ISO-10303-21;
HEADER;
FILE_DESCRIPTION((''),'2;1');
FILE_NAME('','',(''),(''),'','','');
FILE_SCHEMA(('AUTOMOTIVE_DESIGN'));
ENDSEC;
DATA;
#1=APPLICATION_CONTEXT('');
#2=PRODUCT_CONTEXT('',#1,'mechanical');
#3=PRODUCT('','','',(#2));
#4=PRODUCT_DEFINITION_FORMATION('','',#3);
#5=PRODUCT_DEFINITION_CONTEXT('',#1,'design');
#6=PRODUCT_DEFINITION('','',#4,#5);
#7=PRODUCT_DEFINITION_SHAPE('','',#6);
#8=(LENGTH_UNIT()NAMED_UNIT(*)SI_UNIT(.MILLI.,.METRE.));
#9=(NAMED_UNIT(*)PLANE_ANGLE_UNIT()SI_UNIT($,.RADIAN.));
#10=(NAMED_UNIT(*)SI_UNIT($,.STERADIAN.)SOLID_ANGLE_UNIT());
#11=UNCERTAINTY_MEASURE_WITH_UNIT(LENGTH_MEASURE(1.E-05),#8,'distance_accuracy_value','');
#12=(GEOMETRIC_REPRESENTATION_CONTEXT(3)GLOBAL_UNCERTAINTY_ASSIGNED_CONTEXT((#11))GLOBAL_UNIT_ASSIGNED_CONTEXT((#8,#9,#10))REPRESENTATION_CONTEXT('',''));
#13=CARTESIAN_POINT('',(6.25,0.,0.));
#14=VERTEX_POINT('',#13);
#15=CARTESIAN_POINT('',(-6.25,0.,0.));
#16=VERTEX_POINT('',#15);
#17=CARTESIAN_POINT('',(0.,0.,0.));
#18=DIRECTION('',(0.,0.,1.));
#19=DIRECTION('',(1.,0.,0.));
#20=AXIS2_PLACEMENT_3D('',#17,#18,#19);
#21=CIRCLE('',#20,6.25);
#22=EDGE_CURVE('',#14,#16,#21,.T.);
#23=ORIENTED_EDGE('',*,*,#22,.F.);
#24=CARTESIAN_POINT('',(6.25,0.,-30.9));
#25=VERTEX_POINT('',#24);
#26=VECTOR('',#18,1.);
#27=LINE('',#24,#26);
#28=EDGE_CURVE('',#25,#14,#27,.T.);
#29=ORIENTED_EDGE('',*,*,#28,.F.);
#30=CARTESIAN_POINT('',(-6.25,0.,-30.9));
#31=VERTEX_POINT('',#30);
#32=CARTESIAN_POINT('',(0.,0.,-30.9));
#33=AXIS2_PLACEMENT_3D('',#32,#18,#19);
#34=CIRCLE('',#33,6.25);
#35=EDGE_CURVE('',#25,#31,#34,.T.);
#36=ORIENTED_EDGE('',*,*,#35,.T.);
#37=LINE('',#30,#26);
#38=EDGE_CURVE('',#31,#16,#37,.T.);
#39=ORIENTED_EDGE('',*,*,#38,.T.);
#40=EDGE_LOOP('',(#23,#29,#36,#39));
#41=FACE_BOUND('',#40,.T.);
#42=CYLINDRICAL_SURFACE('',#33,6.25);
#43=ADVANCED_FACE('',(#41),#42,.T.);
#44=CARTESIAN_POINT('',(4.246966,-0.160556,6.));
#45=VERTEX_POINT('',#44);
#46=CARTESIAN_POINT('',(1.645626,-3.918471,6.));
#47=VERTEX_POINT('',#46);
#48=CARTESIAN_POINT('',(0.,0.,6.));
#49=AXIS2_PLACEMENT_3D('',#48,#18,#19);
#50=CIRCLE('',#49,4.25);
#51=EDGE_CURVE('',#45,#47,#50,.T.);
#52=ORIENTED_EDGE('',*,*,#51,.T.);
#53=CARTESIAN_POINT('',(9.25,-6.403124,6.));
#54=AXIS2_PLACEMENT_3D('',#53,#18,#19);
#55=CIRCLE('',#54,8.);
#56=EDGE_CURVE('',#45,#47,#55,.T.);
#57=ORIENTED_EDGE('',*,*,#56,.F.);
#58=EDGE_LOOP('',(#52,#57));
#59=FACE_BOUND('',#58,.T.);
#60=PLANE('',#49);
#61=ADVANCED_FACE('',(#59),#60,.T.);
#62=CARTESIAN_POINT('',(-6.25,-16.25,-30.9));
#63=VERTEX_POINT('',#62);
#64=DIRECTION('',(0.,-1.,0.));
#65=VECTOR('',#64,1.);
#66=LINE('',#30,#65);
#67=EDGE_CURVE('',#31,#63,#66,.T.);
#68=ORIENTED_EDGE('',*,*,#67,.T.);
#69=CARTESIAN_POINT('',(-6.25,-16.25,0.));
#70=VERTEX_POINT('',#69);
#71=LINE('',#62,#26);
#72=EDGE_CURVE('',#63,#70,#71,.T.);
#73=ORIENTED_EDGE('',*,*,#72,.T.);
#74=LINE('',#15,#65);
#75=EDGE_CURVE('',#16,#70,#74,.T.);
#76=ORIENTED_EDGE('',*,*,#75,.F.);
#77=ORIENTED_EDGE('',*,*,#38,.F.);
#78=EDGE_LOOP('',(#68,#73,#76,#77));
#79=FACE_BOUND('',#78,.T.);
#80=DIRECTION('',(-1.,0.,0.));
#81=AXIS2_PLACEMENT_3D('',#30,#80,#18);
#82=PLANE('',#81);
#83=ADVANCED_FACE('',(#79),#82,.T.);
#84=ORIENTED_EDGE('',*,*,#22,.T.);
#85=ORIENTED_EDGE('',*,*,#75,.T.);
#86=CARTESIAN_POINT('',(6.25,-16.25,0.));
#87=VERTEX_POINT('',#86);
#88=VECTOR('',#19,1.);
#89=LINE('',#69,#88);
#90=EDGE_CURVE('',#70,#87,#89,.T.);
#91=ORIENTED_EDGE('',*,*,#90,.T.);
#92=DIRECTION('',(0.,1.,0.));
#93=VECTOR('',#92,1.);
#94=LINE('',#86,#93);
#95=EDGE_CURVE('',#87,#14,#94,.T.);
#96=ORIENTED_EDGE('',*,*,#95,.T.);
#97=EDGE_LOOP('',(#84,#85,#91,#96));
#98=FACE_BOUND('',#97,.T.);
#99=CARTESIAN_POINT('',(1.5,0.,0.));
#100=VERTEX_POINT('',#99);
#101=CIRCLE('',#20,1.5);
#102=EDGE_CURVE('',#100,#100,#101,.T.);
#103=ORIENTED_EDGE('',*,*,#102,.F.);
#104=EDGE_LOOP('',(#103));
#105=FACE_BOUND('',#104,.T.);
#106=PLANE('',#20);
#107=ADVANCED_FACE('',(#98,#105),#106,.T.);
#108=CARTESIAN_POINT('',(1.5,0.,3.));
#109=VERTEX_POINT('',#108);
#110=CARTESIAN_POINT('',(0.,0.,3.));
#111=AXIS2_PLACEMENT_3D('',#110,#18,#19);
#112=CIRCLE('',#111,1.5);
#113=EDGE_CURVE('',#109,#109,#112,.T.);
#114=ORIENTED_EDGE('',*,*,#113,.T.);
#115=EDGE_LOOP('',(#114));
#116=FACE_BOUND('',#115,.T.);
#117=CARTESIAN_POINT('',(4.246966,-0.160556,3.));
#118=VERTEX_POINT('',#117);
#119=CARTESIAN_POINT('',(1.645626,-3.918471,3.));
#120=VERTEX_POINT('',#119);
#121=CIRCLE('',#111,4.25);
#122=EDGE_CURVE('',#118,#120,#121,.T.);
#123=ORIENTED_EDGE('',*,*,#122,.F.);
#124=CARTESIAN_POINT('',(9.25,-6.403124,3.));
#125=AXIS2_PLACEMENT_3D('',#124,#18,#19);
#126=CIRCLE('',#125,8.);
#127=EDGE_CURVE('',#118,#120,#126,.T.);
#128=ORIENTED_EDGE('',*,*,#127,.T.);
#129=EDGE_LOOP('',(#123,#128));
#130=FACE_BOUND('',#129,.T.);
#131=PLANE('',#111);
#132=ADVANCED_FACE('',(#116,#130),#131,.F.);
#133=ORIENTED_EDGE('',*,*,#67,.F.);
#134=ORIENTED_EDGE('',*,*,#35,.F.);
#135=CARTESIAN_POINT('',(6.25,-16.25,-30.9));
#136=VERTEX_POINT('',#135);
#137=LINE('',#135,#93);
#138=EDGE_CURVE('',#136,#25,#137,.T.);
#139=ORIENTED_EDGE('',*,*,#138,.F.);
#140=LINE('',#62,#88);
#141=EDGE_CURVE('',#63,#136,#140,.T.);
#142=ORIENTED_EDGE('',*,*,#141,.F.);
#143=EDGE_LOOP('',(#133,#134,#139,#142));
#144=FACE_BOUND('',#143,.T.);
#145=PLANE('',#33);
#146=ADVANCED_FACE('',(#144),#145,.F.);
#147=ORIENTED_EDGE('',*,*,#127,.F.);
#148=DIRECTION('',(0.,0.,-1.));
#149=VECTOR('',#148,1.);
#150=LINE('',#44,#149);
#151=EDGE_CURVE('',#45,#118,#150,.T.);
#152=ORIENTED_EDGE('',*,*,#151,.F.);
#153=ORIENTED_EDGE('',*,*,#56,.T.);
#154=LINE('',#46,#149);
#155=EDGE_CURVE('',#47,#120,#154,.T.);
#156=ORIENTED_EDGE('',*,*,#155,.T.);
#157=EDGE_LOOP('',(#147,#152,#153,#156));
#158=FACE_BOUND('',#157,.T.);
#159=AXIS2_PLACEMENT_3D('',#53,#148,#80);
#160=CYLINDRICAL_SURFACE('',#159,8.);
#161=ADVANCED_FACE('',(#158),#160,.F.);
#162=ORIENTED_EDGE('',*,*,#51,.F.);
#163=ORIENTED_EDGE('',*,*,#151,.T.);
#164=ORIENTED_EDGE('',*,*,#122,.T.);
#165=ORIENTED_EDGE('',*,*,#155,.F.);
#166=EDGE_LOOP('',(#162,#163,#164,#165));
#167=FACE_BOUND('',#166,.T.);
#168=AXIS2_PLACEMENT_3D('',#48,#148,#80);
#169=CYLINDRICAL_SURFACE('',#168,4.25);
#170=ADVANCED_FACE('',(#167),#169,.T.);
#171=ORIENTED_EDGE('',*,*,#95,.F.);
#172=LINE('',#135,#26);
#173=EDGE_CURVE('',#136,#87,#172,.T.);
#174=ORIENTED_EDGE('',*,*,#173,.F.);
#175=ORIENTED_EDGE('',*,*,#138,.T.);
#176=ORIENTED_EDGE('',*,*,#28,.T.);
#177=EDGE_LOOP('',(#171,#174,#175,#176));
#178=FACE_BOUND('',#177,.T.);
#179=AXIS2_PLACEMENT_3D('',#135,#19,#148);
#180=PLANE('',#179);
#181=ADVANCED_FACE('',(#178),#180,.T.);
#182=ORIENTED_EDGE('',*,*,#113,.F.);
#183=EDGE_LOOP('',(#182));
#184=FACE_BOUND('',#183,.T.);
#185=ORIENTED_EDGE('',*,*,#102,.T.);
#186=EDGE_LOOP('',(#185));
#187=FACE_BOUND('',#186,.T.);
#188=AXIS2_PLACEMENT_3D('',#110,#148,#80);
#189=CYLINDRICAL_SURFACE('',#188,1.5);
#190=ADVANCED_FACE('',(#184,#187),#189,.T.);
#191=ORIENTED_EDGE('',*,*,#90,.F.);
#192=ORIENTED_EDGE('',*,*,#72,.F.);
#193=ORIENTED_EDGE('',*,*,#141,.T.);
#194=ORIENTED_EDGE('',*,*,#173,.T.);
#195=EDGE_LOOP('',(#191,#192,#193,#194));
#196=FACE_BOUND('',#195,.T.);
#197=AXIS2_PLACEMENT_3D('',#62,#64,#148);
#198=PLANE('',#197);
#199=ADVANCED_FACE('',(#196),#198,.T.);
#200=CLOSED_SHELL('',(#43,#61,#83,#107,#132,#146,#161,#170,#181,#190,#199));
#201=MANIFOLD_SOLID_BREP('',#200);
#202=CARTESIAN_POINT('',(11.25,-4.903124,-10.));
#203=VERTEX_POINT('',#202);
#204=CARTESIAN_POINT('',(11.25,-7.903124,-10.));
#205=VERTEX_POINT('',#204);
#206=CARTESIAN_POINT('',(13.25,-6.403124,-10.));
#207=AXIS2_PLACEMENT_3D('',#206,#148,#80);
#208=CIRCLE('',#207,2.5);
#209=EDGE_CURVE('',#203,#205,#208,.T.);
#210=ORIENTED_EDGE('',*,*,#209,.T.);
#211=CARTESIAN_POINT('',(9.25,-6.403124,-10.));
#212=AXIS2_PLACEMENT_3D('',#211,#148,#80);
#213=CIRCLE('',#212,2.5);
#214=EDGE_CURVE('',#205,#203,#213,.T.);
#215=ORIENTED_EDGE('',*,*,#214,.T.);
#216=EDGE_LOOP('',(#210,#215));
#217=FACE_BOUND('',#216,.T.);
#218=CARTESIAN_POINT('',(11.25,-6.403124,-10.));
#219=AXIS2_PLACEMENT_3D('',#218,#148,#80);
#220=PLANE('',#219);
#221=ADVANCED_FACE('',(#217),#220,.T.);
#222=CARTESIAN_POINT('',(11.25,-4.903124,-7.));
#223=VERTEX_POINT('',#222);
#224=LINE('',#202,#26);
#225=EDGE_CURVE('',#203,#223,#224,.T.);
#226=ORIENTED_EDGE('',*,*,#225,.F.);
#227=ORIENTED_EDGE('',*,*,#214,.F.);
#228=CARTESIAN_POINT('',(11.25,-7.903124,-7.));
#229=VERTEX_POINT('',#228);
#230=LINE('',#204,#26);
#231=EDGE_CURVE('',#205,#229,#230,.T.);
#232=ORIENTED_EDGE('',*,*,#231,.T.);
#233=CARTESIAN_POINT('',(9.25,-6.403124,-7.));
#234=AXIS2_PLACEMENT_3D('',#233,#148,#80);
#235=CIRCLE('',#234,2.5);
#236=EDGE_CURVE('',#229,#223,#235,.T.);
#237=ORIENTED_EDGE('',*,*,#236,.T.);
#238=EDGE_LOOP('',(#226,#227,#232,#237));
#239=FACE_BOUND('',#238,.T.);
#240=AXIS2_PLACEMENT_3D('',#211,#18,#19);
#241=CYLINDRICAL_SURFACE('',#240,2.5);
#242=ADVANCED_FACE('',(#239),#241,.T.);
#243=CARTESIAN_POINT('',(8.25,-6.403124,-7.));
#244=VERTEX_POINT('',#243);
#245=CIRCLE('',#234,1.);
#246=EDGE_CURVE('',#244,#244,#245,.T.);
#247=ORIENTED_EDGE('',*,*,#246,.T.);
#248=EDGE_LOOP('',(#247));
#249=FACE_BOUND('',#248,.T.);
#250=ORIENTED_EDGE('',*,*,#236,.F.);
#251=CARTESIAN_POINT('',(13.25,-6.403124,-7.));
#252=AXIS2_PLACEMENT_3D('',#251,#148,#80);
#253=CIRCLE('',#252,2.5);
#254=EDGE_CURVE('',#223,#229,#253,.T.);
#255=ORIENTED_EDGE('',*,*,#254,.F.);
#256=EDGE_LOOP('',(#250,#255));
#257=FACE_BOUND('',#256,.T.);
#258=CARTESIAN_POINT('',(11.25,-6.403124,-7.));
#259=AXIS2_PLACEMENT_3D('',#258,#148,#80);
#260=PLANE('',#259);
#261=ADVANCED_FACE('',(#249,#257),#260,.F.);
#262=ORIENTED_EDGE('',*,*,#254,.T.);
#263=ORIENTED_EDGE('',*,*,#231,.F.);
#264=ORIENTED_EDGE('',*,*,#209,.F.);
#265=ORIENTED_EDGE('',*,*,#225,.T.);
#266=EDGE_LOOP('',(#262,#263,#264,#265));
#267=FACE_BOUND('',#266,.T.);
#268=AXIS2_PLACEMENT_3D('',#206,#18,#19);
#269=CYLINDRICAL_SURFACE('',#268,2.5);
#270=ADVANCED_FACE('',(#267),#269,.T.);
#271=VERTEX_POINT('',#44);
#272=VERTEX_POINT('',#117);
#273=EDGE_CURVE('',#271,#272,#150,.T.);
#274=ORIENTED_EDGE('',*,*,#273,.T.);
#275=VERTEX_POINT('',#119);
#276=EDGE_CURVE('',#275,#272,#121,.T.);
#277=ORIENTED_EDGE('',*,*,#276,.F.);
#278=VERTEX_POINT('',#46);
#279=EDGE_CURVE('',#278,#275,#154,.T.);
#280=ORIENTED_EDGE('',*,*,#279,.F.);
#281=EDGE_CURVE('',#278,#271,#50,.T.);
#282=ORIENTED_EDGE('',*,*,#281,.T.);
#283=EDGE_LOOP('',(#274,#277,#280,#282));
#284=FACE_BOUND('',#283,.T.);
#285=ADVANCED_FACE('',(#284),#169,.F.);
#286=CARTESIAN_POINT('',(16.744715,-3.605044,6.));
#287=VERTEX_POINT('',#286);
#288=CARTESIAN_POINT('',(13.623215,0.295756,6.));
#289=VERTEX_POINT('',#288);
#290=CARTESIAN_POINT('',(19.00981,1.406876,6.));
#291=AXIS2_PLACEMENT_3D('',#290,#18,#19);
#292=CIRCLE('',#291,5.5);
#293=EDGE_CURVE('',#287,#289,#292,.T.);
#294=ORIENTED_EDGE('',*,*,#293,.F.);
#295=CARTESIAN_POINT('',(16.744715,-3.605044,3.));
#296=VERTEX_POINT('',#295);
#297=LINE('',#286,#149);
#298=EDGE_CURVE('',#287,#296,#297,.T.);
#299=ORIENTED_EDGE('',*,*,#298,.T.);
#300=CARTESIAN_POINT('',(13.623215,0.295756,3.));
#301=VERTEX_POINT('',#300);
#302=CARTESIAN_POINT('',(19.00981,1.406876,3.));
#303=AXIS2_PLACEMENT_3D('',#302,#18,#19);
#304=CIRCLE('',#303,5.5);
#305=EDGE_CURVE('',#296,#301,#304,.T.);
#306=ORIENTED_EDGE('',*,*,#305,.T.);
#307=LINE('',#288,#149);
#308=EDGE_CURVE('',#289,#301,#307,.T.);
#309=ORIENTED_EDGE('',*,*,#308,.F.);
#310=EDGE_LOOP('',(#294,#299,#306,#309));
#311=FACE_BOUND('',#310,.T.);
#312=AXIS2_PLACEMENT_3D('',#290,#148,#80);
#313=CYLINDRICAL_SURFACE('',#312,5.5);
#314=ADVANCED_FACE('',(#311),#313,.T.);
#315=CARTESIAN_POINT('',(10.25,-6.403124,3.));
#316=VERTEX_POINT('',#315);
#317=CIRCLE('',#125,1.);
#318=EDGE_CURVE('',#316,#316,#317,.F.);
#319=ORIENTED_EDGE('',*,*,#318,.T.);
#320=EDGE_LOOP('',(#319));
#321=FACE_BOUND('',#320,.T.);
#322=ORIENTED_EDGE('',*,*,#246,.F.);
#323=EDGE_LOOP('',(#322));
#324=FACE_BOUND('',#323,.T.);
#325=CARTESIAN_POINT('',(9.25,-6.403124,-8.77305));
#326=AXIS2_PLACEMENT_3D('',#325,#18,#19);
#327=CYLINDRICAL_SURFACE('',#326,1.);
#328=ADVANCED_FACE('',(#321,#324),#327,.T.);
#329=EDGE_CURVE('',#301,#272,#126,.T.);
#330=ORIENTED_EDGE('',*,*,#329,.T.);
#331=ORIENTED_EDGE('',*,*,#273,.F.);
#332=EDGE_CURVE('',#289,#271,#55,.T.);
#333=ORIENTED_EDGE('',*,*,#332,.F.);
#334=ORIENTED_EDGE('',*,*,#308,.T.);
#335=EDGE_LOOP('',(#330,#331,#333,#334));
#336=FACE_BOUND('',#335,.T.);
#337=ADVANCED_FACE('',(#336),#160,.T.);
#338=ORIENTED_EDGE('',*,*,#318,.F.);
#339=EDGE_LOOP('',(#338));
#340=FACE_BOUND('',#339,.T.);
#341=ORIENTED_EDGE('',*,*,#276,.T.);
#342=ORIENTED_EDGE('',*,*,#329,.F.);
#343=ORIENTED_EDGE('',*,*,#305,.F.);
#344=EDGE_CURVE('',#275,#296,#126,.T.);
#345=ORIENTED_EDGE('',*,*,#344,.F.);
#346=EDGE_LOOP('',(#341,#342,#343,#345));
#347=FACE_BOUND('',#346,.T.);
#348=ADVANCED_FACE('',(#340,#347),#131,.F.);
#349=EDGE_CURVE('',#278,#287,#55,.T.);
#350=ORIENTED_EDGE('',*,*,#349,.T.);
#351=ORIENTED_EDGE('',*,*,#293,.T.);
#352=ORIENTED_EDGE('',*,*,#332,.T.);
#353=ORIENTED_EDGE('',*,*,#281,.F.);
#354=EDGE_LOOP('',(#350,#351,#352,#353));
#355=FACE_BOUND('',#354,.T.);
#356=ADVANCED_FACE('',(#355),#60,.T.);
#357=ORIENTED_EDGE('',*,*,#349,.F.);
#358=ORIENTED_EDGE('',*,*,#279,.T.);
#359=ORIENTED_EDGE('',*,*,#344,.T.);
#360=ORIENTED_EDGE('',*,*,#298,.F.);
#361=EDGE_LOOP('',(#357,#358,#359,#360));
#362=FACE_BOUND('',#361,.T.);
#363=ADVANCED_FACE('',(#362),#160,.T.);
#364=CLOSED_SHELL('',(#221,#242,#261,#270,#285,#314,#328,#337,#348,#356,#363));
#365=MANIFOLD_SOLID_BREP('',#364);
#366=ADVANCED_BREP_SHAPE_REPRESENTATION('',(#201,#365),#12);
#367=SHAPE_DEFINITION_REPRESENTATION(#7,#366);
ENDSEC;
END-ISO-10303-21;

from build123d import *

# Parameters (mm, degrees)
BOSS_EXTRUDE7_DEPTH  = 30.9
SKETCH7_R            = 1.5
BOSS_EXTRUDE8_DEPTH  = 3
BOSS_EXTRUDE9_DEPTH  = 3
SKETCH9_R            = 1
BOSS_EXTRUDE10_DEPTH = 11.773049601
BOSS_EXTRUDE11_DEPTH = 3


with BuildPart() as part:
    # Sketch6 → Boss-Extrude7 (new body)
    with BuildSketch(Plane.XY):
        with BuildLine():
            Line((-6.25, 0), (-6.25, -16.25))
            Line((-6.25, -16.25), (6.25, -16.25))
            Line((6.25, -16.25), (6.25, 0))
            ThreePointArc((6.25, 0), (0, 6.25), (-6.25, 0))
        make_face()
    extrude(amount=-BOSS_EXTRUDE7_DEPTH)

    # Sketch7 → Boss-Extrude8 (add)
    with BuildSketch(Plane.XY):
        Circle(SKETCH7_R)
    extrude(amount=BOSS_EXTRUDE8_DEPTH)

    # Sketch8 → Boss-Extrude9 (add)
    with BuildSketch(Plane.XY.offset(3)):
        with BuildLine():
            ThreePointArc((4.246966167, -0.160556459), (-3.494444444, 2.418958045), (1.645626426, -3.918470833))
            ThreePointArc((1.645626426, -3.918470833), (2.672222222, -1.849791446), (4.246966167, -0.160556459))
        make_face()
        with BuildLine():
            ThreePointArc((4.246966167, -0.160556459), (3.494444444, -2.418958045), (1.645626426, -3.918470833))
            ThreePointArc((1.645626426, -3.918470833), (9.416028142, -14.401401218), (16.744714653, -3.605044132))
            ThreePointArc((16.744714653, -3.605044132), (23.304127047, 4.843275763), (13.623214853, 0.295755658))
            ThreePointArc((13.623214853, 0.295755658), (8.861125761, 1.587418724), (4.246966167, -0.160556459))
        make_face()
    extrude(amount=BOSS_EXTRUDE9_DEPTH)


with BuildPart() as boss_extrude9_piece_1:
    # of the separate pieces the step leaves, piece 1, a body of its own (boss_extrude9_pieces)
    add(part.part.solids().sort_by_distance((1.5, 0, 3))[0])


with BuildPart() as boss_extrude9_piece_2:
    # of the separate pieces the step leaves, piece 2, a body of its own (boss_extrude9_pieces)
    add(part.part.solids().sort_by_distance((13.623214853, 0.295755658, 3))[0])

    # Sketch9 → Boss-Extrude10 (add)
    with BuildSketch(Plane(origin=(0, 0, 3), x_dir=(-1, 0, 0), z_dir=(0, 0, -1))):
        with Locations(Location((-9.25, -6.403124237, 0), (0, 0, 180))):
            Circle(SKETCH9_R)
    extrude(amount=BOSS_EXTRUDE10_DEPTH)

    # Sketch10 → Boss-Extrude11 (add)
    with BuildSketch(Plane(origin=(0, 0, -7), x_dir=(-1, 0, 0), z_dir=(0, 0, -1))):
        with BuildLine():
            ThreePointArc((-11.25, -7.903124237), (-6.75, -6.403124237), (-11.25, -4.903124237))
            ThreePointArc((-11.25, -4.903124237), (-15.75, -6.403124237), (-11.25, -7.903124237))
        make_face()
    extrude(amount=BOSS_EXTRUDE11_DEPTH)


solid = Compound([boss_extrude9_piece_1.part, boss_extrude9_piece_2.part])
